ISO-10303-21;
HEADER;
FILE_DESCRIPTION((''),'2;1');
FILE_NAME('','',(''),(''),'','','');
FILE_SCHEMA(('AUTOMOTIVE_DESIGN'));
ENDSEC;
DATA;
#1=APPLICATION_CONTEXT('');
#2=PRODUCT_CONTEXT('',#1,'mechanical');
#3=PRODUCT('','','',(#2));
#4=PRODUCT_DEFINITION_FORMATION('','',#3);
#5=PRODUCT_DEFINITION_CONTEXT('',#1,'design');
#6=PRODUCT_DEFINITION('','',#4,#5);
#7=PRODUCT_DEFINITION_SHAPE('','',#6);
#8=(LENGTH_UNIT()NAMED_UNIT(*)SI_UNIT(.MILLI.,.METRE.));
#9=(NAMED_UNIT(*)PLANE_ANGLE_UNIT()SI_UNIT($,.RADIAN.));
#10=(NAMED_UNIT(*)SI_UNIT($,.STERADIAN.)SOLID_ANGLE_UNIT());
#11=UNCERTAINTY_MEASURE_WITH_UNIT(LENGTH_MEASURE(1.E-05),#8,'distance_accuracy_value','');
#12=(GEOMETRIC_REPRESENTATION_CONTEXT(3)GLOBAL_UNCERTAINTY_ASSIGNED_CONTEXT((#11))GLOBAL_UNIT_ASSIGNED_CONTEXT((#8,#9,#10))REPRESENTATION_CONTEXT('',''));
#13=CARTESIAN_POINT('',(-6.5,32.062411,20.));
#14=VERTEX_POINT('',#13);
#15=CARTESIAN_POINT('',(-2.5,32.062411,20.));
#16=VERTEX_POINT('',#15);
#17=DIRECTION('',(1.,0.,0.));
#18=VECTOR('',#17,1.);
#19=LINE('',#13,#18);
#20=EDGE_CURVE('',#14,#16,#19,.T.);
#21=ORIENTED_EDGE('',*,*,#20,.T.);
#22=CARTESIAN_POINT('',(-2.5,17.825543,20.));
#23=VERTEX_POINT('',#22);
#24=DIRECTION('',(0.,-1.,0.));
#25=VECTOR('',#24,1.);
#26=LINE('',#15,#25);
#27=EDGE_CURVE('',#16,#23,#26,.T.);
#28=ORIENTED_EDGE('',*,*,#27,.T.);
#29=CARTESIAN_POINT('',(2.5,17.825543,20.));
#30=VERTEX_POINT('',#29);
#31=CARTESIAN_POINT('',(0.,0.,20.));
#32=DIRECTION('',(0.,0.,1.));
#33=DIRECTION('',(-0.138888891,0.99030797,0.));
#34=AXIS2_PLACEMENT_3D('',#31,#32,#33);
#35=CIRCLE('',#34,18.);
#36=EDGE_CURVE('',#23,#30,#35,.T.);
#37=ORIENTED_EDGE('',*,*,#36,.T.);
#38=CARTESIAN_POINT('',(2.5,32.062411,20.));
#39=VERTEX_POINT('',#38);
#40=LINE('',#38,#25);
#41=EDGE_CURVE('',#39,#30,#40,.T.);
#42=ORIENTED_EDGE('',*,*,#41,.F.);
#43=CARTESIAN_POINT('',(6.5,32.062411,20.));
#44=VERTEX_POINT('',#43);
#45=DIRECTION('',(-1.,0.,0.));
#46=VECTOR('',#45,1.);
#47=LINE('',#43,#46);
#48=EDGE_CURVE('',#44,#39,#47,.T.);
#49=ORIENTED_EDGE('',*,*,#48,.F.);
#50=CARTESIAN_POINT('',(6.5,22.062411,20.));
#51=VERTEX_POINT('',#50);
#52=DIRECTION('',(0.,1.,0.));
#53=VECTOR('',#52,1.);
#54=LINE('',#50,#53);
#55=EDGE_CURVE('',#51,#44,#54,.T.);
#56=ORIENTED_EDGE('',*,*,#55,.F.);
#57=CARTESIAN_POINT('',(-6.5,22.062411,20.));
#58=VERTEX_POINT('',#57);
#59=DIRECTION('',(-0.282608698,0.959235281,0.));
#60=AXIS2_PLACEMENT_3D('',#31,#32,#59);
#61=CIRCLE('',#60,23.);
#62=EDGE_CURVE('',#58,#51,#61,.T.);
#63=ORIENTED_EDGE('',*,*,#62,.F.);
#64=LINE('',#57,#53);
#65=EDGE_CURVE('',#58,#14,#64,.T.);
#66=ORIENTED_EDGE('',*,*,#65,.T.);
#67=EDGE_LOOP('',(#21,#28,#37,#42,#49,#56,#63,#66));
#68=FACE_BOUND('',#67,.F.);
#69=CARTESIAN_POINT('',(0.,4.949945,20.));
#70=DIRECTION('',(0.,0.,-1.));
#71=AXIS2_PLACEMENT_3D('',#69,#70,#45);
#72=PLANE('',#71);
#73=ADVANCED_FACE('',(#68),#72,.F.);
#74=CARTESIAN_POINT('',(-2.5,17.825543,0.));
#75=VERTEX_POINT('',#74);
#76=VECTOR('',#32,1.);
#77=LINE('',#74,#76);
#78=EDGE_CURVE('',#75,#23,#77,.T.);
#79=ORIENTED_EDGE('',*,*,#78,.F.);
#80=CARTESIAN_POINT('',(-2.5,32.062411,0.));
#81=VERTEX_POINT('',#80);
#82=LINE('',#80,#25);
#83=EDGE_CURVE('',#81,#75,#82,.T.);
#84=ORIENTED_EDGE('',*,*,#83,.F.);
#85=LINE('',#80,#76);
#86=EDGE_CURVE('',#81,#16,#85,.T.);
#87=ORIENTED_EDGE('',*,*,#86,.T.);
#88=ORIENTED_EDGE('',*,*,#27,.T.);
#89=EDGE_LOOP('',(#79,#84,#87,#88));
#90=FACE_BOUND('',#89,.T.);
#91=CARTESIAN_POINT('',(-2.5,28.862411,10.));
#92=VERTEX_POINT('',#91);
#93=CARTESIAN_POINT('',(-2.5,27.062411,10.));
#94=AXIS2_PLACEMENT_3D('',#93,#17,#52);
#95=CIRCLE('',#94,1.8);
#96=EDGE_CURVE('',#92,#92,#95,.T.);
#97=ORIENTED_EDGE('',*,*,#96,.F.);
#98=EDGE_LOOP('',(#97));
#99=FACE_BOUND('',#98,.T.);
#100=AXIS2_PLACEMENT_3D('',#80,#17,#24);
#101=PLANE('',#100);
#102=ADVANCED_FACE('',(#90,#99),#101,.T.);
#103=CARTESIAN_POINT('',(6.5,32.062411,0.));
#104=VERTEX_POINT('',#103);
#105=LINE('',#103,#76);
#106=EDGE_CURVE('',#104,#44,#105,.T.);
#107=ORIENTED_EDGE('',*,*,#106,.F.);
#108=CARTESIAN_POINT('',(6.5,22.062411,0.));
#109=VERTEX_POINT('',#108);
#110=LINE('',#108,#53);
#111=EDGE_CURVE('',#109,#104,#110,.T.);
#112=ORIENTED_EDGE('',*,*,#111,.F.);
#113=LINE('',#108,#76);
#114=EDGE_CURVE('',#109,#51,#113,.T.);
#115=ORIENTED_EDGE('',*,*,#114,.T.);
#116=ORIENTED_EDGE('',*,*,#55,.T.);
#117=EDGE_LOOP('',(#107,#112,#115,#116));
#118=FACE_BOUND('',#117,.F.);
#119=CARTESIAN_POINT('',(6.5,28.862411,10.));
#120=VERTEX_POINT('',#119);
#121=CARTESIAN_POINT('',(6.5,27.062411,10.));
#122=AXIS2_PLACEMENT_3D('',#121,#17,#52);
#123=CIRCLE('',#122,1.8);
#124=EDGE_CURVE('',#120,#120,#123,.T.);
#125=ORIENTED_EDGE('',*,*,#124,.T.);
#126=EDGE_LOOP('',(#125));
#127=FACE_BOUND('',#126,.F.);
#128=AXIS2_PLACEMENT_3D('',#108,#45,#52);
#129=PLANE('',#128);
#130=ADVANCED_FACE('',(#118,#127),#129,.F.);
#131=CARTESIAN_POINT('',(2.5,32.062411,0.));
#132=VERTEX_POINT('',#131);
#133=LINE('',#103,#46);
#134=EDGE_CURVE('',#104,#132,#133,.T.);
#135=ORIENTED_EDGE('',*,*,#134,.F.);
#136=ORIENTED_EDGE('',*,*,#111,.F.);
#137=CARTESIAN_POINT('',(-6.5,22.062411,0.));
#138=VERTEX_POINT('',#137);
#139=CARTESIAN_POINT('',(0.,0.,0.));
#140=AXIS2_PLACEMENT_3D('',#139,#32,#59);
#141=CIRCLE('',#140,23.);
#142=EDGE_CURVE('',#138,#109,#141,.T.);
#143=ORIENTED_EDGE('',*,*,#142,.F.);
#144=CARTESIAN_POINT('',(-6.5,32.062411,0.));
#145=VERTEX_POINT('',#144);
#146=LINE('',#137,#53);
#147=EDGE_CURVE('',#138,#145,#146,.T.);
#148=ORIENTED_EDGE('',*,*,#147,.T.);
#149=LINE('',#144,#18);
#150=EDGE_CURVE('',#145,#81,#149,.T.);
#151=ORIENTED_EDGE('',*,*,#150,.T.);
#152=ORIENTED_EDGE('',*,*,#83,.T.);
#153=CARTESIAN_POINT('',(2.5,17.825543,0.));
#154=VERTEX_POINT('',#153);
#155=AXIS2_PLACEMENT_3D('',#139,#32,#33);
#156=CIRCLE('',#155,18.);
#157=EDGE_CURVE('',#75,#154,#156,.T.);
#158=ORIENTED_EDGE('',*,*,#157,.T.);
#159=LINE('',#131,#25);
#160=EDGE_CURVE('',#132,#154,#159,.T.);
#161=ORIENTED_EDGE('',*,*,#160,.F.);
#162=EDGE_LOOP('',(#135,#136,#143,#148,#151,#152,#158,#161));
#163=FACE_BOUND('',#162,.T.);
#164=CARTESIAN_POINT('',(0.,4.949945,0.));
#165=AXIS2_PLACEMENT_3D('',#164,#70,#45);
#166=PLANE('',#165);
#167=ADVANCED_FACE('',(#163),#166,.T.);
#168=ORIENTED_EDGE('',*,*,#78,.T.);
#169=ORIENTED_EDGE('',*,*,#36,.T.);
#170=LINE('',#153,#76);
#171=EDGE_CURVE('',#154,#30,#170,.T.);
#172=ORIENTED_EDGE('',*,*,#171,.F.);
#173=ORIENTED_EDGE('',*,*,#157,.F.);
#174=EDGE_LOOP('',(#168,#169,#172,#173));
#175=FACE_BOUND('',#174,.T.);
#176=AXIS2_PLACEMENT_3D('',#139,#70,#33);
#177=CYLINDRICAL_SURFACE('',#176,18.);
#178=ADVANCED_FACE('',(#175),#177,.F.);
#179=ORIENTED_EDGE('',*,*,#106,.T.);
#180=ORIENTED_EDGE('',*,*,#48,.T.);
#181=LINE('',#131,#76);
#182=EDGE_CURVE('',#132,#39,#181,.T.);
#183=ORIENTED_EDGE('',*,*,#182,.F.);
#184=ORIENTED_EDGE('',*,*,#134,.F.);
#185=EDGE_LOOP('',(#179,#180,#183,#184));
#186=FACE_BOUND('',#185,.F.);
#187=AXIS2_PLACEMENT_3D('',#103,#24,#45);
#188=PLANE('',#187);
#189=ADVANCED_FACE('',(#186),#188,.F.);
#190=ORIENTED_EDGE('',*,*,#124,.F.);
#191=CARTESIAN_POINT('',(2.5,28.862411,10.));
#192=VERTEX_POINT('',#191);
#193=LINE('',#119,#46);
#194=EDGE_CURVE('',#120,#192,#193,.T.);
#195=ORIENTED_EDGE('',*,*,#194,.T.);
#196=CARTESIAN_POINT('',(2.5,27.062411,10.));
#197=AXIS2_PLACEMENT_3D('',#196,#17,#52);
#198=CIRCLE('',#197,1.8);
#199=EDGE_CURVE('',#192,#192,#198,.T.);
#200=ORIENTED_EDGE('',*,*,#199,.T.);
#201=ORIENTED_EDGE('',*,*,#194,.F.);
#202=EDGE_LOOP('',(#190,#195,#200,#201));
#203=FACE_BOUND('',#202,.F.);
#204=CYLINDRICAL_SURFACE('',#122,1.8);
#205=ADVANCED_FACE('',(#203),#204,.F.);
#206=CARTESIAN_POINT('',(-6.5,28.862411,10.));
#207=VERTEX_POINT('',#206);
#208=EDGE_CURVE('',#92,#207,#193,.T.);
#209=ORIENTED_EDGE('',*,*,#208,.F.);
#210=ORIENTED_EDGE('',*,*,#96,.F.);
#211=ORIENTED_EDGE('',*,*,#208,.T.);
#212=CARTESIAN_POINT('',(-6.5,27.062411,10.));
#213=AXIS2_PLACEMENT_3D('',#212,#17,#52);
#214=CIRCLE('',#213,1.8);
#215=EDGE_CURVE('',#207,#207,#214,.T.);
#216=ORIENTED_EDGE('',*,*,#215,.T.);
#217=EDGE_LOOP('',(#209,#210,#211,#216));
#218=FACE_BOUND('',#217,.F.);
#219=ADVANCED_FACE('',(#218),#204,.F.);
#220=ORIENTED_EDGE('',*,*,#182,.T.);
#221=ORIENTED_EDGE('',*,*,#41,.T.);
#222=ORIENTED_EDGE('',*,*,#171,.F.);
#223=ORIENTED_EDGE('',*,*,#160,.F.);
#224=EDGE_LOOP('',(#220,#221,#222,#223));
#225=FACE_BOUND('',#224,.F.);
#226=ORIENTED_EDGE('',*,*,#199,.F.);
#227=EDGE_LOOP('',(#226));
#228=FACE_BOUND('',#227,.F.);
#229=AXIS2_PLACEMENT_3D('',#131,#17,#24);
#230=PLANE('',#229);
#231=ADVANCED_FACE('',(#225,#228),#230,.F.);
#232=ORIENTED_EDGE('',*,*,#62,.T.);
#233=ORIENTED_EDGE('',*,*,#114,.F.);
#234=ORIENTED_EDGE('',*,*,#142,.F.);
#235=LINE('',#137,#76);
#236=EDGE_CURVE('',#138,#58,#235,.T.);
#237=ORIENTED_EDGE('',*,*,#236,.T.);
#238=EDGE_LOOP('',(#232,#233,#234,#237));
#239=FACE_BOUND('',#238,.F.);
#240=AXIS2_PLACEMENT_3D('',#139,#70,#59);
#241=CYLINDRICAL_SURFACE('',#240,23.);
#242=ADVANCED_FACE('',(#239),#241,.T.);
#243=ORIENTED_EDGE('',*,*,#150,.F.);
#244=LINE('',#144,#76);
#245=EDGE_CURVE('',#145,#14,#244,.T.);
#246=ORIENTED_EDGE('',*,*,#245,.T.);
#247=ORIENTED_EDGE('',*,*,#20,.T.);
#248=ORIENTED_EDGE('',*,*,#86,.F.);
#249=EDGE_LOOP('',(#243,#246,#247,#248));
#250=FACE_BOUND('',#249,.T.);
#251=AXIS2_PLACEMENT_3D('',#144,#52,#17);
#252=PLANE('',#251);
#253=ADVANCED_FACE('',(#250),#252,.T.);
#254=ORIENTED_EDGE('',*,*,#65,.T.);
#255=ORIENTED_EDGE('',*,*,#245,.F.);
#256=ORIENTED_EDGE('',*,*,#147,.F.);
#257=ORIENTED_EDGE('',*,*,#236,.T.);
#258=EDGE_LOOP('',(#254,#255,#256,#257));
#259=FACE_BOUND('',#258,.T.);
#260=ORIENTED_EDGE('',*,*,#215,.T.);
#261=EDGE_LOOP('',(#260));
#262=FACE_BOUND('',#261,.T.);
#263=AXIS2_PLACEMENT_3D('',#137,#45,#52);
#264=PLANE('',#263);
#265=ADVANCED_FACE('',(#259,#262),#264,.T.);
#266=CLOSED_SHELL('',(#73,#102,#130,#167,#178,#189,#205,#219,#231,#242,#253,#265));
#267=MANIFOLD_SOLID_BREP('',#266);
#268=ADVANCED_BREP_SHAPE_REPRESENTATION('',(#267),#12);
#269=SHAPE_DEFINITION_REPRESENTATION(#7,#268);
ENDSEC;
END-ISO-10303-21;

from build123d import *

# Parameters (mm, degrees)
PAD_DEPTH    = 20
SKETCH001_R  = 1.8
POCKET_DEPTH = 29.501


with BuildPart() as part:
    # Sketch → Pad (new body)
    with BuildSketch(Plane.XY):
        with BuildLine():
            ThreePointArc((-2.5, 17.825543), (0, -18), (2.5, 17.825543))
            Line((2.5, 32.062411), (2.5, 17.825543))
            Line((6.5, 32.062411), (2.5, 32.062411))
            Line((6.5, 22.062411), (6.5, 32.062411))
            ThreePointArc((-6.5, 22.062411), (0, -23), (6.5, 22.062411))
            Line((-6.5, 22.062411), (-6.5, 32.062411))
            Line((-6.5, 32.062411), (-2.5, 32.062411))
            Line((-2.5, 32.062411), (-2.5, 17.825543))
        make_face()
    extrude(amount=PAD_DEPTH)

    # Sketch001 → Pocket (cut, through all)
    with BuildSketch(Plane.YZ.offset(6.5)):
        with Locations((27.062411, 10)):
            Circle(SKETCH001_R)
    extrude(amount=-POCKET_DEPTH, mode=Mode.SUBTRACT)


solid = part.part
